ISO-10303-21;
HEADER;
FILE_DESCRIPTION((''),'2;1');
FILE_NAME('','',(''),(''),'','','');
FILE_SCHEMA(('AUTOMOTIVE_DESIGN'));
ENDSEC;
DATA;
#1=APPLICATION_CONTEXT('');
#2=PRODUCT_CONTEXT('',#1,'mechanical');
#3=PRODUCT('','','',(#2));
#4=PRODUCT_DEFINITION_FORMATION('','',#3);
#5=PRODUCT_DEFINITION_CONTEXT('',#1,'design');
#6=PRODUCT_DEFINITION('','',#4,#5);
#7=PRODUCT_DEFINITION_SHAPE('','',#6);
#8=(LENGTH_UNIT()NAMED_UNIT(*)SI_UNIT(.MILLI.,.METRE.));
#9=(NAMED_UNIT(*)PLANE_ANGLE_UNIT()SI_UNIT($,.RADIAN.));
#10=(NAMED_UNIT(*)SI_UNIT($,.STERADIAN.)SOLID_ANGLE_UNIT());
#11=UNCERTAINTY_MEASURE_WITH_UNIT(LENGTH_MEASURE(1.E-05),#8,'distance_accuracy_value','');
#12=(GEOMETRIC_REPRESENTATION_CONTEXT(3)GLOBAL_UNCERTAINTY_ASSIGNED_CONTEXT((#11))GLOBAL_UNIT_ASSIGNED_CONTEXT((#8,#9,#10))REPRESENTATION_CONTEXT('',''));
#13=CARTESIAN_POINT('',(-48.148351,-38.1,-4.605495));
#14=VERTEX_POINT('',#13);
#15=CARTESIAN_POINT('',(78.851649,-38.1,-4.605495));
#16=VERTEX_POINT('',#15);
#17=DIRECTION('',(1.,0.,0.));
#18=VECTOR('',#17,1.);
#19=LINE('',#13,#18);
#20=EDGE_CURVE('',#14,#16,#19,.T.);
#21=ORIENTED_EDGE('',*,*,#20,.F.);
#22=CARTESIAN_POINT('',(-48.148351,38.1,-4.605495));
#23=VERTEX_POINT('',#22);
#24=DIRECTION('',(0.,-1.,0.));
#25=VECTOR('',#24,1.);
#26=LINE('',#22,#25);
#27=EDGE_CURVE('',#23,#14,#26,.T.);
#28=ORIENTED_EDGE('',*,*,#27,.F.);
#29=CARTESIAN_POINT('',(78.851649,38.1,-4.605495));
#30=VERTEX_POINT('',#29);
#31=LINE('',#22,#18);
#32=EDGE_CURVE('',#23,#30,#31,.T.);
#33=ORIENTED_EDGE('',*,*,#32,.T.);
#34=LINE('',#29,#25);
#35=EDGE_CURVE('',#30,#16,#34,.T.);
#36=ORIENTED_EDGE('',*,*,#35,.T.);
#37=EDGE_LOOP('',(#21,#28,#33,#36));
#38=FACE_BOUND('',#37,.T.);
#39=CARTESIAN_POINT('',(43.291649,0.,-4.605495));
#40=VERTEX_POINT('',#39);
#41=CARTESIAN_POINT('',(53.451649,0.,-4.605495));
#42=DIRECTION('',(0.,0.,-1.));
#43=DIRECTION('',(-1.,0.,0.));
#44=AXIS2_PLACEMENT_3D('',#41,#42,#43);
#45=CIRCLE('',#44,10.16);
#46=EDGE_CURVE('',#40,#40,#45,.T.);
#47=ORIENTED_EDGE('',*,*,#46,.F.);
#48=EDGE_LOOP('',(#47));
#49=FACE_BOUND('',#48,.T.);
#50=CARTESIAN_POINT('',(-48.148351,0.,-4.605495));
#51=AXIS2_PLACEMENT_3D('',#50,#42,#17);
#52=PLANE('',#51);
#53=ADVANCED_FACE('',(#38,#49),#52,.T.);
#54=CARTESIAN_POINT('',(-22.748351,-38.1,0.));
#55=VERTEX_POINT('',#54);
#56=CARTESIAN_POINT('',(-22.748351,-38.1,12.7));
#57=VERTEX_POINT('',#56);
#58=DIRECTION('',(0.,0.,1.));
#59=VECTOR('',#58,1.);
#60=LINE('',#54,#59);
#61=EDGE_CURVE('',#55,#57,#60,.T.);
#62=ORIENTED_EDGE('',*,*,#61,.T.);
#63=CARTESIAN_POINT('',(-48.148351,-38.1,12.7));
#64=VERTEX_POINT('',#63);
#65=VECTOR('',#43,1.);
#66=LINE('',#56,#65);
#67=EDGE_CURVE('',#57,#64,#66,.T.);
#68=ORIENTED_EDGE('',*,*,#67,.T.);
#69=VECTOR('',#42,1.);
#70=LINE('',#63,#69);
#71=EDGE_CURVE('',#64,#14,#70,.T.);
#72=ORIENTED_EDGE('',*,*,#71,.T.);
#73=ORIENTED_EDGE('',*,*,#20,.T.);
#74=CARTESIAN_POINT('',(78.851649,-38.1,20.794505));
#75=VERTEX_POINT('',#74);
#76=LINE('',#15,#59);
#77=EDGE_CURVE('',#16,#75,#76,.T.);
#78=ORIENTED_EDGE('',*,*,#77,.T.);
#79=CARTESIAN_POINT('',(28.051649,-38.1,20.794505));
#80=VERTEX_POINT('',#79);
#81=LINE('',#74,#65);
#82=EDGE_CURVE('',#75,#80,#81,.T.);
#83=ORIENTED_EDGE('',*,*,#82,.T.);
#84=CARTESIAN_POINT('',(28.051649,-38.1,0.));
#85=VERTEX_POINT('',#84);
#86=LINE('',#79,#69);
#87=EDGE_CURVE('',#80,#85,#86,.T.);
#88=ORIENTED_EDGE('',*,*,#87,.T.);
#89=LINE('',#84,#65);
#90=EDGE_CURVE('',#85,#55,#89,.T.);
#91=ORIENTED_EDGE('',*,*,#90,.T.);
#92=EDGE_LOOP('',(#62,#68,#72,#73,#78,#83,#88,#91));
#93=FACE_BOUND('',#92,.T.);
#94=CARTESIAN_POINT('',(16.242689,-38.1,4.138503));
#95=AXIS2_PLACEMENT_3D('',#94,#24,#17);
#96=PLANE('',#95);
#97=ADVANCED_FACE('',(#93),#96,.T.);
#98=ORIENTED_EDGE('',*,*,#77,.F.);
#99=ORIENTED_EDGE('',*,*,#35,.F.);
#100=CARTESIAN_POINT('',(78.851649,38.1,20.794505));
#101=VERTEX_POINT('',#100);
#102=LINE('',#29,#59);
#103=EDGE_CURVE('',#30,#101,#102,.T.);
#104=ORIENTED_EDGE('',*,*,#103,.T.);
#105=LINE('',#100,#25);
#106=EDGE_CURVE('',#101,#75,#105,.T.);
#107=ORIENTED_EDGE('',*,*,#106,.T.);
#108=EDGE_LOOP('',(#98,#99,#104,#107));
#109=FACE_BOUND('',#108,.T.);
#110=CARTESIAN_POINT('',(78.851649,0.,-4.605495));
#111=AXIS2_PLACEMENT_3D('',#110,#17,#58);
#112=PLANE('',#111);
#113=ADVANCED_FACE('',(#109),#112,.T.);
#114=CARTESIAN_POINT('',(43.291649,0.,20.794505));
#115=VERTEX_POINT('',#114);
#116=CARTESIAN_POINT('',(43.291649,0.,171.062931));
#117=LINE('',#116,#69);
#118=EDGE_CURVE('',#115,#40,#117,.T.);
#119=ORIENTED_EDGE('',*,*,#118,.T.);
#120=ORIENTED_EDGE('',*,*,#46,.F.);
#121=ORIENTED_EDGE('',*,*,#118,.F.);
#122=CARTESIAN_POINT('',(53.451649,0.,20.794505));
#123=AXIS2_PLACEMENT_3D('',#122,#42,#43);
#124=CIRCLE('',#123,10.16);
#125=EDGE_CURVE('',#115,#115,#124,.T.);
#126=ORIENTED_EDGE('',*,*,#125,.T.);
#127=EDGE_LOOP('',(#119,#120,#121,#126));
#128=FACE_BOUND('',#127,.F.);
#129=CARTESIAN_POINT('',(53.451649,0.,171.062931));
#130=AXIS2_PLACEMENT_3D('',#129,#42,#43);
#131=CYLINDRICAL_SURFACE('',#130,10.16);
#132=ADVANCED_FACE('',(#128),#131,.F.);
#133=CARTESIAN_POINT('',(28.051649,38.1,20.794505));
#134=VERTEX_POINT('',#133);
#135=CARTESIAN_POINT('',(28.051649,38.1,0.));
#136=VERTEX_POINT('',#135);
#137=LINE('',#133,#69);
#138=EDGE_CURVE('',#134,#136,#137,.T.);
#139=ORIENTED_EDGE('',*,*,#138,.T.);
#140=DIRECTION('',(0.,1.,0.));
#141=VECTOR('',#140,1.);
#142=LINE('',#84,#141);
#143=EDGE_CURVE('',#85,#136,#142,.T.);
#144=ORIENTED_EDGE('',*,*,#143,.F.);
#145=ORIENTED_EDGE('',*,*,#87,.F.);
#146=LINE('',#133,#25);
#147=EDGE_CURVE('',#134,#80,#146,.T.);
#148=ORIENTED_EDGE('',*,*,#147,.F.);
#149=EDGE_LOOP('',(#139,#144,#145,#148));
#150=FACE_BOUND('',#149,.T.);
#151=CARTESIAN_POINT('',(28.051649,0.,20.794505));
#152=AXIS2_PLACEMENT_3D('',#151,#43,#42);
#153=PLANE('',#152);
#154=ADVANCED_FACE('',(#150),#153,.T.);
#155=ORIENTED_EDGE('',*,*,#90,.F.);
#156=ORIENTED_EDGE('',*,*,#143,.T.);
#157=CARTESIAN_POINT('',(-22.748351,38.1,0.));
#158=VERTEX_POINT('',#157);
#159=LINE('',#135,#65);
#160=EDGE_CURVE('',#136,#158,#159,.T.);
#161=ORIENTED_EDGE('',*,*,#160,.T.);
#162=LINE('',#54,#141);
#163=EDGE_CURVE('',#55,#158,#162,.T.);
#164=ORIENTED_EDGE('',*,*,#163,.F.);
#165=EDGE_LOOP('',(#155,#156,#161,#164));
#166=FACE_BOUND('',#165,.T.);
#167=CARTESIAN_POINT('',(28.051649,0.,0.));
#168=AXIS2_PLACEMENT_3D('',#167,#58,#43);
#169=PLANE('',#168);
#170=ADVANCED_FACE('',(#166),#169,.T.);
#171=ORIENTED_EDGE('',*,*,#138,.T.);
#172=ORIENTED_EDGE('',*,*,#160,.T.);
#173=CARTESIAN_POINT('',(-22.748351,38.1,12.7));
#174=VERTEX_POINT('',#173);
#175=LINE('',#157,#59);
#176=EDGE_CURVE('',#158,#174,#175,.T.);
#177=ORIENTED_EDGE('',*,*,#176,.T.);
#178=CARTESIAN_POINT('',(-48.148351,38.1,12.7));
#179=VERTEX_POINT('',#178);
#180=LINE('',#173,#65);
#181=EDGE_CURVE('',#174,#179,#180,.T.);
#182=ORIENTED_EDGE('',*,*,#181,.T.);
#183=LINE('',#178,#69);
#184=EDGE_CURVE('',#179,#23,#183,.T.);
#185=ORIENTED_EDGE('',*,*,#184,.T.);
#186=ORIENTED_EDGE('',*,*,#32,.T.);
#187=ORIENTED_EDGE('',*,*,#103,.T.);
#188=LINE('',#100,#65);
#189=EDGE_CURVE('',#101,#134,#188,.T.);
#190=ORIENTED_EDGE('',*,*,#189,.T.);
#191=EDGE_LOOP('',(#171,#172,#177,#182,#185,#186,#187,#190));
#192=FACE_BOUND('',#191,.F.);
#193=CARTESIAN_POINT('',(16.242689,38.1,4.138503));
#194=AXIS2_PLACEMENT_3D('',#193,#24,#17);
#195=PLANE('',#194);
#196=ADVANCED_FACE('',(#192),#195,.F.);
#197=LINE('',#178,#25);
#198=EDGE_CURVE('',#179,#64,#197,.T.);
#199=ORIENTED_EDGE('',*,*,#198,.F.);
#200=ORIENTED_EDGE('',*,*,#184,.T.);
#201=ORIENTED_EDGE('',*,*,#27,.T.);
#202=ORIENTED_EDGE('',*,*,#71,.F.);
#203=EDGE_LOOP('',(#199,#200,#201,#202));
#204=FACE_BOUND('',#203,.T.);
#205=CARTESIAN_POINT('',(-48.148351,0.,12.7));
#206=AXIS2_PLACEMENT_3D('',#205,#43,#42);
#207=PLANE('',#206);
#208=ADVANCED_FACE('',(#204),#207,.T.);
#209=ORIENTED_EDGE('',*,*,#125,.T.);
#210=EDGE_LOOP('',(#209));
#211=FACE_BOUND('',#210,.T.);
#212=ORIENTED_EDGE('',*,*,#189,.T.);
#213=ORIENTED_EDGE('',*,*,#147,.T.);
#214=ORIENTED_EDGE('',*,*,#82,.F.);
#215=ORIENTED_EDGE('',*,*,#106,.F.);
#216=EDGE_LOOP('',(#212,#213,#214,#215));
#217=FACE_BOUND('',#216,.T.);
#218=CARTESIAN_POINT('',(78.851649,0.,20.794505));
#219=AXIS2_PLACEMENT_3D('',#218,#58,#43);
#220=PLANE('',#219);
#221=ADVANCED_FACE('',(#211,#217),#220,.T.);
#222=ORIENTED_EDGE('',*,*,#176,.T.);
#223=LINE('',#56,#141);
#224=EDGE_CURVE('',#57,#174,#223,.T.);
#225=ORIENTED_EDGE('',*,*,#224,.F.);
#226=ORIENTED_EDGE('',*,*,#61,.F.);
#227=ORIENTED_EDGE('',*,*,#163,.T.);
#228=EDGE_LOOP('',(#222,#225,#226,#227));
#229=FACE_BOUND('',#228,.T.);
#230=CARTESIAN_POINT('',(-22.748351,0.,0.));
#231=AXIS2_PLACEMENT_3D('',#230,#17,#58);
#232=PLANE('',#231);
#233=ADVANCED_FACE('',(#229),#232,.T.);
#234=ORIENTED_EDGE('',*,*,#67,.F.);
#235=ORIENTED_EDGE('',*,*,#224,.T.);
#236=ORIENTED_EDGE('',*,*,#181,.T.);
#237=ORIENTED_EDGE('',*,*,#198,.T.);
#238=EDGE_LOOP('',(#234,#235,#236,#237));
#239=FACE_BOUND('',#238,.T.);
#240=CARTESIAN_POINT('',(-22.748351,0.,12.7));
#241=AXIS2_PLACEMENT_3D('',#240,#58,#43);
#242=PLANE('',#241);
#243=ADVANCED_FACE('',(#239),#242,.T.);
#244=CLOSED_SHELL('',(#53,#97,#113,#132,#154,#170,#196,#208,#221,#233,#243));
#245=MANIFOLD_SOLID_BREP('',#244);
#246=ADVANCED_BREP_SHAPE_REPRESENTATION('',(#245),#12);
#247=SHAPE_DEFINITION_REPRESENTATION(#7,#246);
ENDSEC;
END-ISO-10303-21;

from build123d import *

# Parameters (mm, degrees)
F1_DEPTH = 38.1
F3_D     = 20.32


with BuildPart() as f1:
    # F0 (on Front) → F1 (new body, symmetric)
    with BuildSketch(Plane.XZ):
        Polygon((-22.748351, 12.7), (-48.148351, 12.7), (-48.148351, -4.605495), (78.851649, -4.605495), (78.851649, 20.794505), (28.051649, 20.794505), (28.051649, 0), (-22.748351, 0), align=None)
    extrude(amount=F1_DEPTH, both=True)

    # F3 (through all)
    with Locations(Plane.XY.offset(20.794505)):
        with Locations((53.451649, 0)):
            Hole(F3_D / 2)


solid = f1.part
